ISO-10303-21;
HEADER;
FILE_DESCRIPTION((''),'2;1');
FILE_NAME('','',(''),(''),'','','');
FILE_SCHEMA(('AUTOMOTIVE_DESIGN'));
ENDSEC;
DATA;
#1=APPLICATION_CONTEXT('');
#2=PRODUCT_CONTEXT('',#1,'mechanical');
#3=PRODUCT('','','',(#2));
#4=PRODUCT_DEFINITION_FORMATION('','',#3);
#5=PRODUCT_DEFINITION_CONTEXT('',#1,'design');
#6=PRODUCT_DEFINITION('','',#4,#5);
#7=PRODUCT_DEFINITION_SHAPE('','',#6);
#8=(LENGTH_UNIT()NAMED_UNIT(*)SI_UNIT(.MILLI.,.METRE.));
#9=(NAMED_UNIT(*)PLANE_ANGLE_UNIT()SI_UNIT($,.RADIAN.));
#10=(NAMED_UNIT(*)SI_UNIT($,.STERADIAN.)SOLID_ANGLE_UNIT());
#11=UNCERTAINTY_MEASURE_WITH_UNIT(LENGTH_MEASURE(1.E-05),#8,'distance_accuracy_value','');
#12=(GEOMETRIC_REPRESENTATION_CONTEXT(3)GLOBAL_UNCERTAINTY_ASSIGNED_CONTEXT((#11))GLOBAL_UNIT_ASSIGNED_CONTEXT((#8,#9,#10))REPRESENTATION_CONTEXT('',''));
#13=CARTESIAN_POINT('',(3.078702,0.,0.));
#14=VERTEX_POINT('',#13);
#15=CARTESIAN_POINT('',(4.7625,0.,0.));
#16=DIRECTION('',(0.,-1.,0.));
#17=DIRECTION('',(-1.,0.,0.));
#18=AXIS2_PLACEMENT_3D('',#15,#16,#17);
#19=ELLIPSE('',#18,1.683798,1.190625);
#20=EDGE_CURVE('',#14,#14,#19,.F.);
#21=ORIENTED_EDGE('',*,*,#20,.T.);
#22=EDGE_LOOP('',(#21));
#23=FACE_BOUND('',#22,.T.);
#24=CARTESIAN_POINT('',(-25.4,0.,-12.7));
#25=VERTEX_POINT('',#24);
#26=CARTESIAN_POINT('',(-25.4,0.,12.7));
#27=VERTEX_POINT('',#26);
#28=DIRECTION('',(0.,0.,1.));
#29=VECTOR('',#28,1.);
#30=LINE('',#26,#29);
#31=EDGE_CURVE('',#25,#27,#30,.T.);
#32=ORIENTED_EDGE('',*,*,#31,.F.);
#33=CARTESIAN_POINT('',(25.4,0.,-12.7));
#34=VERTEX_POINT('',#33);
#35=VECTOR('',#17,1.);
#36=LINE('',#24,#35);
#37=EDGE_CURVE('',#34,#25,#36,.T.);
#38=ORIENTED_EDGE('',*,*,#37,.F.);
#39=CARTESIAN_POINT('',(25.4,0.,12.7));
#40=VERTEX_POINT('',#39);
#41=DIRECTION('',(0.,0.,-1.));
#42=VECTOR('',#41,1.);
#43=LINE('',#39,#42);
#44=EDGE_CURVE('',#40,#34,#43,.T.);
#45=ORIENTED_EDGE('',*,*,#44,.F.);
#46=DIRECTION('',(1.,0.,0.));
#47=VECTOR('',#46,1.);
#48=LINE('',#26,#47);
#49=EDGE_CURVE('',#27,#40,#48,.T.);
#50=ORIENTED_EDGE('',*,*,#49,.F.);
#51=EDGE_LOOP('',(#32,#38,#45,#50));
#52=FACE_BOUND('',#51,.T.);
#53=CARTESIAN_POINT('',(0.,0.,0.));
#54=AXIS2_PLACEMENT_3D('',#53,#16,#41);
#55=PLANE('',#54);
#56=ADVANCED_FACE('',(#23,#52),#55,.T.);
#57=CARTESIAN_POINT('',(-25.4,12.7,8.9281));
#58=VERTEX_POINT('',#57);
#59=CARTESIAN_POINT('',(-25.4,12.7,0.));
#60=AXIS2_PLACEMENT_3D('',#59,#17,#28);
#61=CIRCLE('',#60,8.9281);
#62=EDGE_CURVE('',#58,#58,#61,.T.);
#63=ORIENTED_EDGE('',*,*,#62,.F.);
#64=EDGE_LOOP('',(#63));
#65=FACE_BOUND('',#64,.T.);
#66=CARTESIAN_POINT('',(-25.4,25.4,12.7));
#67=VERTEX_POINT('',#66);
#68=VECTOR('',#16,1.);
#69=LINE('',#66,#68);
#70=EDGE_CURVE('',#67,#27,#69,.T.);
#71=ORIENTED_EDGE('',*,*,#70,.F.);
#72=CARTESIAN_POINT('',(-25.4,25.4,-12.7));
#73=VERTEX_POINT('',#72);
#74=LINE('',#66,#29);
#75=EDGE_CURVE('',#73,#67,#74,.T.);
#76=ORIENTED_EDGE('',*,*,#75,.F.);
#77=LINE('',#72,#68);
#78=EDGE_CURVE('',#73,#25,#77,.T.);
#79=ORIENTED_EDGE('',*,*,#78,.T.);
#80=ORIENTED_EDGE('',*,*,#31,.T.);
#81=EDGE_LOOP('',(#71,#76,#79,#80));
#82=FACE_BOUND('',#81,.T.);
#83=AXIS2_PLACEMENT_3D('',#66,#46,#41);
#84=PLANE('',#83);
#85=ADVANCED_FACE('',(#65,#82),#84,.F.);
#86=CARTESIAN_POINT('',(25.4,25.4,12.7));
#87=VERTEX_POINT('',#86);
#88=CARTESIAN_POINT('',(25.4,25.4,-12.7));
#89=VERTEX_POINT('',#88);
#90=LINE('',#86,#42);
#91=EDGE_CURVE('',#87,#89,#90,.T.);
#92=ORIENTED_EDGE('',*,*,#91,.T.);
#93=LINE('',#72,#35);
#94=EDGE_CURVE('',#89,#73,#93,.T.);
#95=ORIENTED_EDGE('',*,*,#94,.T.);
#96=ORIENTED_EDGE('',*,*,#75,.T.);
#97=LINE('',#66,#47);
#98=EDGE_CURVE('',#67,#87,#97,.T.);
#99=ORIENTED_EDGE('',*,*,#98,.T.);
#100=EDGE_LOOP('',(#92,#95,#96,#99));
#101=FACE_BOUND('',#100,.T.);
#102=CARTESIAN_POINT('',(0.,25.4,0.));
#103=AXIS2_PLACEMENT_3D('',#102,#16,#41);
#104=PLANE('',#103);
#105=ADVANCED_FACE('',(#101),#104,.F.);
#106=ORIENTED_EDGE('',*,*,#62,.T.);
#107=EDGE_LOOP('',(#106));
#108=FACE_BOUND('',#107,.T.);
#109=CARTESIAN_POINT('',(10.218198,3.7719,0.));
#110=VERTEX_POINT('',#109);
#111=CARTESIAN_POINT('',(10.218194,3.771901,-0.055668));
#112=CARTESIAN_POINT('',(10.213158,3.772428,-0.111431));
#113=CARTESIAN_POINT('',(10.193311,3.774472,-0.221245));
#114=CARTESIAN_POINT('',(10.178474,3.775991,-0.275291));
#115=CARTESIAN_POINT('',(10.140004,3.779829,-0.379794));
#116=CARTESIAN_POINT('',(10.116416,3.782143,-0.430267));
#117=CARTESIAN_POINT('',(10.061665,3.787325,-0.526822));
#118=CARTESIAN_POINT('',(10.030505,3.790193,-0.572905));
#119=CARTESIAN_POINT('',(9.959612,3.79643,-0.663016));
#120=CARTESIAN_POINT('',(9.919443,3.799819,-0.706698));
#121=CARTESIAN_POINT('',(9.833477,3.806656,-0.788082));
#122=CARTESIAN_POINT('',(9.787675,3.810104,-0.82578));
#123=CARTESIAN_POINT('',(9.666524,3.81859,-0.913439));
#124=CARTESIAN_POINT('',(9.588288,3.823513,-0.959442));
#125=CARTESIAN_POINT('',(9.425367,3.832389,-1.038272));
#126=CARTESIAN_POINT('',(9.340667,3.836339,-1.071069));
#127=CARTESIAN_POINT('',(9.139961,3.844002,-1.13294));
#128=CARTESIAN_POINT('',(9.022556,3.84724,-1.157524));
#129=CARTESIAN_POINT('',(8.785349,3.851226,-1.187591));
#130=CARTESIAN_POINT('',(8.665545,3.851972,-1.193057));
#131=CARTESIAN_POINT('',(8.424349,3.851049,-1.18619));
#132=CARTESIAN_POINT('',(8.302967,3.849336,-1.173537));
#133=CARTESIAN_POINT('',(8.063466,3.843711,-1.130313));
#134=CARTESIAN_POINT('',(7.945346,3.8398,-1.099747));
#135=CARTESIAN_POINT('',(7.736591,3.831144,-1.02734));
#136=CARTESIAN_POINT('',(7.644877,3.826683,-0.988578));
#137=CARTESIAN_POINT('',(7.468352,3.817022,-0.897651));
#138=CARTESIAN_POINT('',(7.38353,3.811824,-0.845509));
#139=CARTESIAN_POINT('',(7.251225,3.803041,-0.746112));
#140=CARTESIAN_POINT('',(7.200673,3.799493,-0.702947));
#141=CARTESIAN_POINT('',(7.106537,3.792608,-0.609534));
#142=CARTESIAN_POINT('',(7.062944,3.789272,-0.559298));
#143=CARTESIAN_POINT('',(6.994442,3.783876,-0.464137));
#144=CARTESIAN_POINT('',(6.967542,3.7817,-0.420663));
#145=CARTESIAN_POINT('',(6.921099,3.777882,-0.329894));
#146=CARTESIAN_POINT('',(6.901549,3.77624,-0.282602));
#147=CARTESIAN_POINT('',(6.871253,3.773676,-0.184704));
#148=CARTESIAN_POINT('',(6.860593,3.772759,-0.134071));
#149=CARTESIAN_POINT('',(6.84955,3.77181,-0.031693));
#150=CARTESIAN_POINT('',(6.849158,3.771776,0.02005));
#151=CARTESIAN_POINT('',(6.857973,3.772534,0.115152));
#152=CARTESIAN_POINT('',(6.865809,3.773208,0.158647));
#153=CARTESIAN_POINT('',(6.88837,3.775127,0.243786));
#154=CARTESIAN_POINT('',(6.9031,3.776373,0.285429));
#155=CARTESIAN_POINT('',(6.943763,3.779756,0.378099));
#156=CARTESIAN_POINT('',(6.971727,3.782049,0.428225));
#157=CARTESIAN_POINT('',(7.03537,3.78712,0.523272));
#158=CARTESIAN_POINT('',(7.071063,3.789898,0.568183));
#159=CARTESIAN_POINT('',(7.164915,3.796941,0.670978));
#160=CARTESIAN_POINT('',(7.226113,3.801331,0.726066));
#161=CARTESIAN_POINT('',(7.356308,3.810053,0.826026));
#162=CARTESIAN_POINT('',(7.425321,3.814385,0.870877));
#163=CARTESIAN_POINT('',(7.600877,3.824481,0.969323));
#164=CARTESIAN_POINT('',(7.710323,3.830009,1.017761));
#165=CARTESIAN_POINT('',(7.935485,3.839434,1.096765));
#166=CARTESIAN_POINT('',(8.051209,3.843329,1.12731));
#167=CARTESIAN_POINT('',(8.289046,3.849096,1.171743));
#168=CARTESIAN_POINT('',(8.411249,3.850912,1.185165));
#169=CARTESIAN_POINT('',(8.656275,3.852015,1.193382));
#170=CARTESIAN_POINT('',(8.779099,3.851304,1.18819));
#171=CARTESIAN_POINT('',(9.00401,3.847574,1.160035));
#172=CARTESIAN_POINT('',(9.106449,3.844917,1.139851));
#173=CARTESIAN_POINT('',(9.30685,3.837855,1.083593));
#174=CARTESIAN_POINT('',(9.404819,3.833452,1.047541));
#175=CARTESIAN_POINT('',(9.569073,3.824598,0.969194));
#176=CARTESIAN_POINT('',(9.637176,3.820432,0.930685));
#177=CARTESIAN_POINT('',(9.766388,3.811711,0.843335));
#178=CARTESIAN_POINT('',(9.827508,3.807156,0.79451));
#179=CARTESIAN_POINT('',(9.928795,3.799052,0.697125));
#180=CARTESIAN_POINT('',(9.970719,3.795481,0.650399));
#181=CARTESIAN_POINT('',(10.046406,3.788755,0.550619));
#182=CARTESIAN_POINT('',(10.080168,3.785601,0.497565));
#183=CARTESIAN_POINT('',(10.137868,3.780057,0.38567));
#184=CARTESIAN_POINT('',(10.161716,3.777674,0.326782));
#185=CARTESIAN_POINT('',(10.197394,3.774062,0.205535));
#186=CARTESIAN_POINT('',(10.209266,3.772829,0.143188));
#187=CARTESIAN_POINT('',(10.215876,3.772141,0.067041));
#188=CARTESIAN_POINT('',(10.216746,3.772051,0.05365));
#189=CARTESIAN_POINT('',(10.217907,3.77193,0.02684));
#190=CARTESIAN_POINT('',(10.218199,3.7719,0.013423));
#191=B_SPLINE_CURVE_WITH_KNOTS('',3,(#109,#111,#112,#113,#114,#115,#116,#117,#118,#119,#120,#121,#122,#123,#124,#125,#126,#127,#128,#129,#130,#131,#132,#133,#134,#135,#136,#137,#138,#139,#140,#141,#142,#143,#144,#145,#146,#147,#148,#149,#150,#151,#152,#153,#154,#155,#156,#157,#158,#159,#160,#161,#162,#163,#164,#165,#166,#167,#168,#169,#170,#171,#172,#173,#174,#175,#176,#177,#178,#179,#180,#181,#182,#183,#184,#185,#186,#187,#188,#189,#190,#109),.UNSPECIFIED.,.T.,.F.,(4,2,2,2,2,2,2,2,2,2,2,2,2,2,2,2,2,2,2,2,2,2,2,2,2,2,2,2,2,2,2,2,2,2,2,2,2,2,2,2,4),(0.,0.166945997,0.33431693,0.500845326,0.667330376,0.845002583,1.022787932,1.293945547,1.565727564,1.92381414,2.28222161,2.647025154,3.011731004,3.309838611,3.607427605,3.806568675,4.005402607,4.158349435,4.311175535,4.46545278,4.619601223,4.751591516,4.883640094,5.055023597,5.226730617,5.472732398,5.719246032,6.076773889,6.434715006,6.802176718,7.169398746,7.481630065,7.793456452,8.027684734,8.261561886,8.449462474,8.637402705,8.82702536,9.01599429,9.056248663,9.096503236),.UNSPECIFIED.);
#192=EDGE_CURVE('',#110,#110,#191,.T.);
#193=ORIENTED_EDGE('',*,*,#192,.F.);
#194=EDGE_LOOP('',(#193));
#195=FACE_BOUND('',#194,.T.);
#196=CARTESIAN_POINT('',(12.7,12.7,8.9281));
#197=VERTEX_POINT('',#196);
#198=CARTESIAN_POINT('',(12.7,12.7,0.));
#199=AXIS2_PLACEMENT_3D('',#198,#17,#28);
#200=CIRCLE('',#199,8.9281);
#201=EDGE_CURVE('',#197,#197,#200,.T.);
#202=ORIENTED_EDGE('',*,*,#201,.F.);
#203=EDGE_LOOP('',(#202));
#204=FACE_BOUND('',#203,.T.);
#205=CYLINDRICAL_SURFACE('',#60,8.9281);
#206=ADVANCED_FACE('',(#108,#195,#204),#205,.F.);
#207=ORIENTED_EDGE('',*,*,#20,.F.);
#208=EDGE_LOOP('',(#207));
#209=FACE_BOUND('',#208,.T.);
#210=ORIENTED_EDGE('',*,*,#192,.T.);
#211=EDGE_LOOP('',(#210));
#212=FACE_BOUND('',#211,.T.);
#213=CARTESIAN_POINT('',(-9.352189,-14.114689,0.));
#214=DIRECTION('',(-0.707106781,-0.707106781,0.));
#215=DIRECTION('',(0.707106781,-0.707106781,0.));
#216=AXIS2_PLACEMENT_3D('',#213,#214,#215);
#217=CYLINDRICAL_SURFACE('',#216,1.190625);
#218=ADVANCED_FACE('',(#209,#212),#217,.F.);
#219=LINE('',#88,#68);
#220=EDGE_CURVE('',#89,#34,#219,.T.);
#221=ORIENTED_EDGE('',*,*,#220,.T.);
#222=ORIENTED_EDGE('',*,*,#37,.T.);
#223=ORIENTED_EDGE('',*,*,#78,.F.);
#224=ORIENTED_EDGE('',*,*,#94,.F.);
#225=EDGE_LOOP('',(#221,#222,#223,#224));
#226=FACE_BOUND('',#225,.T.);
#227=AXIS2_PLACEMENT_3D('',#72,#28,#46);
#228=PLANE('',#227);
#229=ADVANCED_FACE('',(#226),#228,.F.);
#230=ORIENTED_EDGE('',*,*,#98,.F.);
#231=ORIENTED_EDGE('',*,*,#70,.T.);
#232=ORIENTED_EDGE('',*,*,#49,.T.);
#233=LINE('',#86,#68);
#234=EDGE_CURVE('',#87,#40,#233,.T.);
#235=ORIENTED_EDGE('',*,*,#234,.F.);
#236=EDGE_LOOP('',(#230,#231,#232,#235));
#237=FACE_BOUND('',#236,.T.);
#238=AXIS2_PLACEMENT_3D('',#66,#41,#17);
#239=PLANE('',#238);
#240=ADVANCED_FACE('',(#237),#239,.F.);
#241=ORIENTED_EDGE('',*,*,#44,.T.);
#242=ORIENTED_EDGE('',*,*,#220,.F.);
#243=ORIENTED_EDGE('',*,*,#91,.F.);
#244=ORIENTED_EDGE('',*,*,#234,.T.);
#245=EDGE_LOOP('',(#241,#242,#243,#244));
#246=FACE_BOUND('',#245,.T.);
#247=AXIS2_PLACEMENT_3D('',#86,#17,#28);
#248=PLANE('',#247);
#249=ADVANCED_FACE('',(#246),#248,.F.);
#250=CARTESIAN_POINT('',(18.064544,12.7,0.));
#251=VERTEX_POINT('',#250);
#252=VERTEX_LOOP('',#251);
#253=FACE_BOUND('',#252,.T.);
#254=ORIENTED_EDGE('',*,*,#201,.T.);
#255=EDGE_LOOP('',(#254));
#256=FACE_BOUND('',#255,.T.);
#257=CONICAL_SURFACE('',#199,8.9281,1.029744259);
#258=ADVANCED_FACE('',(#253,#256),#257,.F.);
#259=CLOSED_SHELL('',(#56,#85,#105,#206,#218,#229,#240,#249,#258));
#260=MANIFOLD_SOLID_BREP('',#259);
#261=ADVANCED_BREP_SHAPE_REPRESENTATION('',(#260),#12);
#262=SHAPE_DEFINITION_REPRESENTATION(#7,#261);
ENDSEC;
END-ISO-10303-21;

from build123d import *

# Parameters (mm, degrees)
SKETCH1_W                         = 50.8
SKETCH1_H                         = 25.4
BOSS_EXTRUDE1_DEPTH               = 25.4
PIPE_TAP_DRILL_FOR_1_2_TAP1_D     = 17.8562
PIPE_TAP_DRILL_FOR_1_2_TAP1_DEPTH = 38.1
PIPE_TAP_DRILL_FOR_1_2_TAP1_TIP   = 5.364543693


with BuildPart() as part:
    # Sketch1 → Boss-Extrude1 (new body)
    with BuildSketch(Plane(origin=(0, 0, 0), x_dir=(1, 0, 0), z_dir=(0, 1, 0))):
        Rectangle(SKETCH1_W, SKETCH1_H)
    extrude(amount=BOSS_EXTRUDE1_DEPTH)

    # Pipe Tap Drill for 1/2 Tap1
    with Locations(Plane.ZY.offset(25.4)):
        with Locations((0, 12.7)):
            Hole(PIPE_TAP_DRILL_FOR_1_2_TAP1_D / 2, depth=PIPE_TAP_DRILL_FOR_1_2_TAP1_DEPTH)
            with Locations((0, 0, -(PIPE_TAP_DRILL_FOR_1_2_TAP1_DEPTH + PIPE_TAP_DRILL_FOR_1_2_TAP1_TIP / 2))):  # 118° drill point
                Cone(0, PIPE_TAP_DRILL_FOR_1_2_TAP1_D / 2, PIPE_TAP_DRILL_FOR_1_2_TAP1_TIP, mode=Mode.SUBTRACT)

    # Sketch5 → Cut-Revolve2 (revolve, cut)
    with BuildSketch(Plane.XY):
        Polygon((-12.7, -10.766878787), (-9.352189393, -14.114689393), (11.954399011, 7.191899011), (11.1125, 8.033798023), (-0.841899011, -3.920600989), align=None)
    revolve(axis=Axis((-9.352189393, -14.114689393, 0), (0.707106781, 0.707106781, 0)), mode=Mode.SUBTRACT)


solid = part.part
